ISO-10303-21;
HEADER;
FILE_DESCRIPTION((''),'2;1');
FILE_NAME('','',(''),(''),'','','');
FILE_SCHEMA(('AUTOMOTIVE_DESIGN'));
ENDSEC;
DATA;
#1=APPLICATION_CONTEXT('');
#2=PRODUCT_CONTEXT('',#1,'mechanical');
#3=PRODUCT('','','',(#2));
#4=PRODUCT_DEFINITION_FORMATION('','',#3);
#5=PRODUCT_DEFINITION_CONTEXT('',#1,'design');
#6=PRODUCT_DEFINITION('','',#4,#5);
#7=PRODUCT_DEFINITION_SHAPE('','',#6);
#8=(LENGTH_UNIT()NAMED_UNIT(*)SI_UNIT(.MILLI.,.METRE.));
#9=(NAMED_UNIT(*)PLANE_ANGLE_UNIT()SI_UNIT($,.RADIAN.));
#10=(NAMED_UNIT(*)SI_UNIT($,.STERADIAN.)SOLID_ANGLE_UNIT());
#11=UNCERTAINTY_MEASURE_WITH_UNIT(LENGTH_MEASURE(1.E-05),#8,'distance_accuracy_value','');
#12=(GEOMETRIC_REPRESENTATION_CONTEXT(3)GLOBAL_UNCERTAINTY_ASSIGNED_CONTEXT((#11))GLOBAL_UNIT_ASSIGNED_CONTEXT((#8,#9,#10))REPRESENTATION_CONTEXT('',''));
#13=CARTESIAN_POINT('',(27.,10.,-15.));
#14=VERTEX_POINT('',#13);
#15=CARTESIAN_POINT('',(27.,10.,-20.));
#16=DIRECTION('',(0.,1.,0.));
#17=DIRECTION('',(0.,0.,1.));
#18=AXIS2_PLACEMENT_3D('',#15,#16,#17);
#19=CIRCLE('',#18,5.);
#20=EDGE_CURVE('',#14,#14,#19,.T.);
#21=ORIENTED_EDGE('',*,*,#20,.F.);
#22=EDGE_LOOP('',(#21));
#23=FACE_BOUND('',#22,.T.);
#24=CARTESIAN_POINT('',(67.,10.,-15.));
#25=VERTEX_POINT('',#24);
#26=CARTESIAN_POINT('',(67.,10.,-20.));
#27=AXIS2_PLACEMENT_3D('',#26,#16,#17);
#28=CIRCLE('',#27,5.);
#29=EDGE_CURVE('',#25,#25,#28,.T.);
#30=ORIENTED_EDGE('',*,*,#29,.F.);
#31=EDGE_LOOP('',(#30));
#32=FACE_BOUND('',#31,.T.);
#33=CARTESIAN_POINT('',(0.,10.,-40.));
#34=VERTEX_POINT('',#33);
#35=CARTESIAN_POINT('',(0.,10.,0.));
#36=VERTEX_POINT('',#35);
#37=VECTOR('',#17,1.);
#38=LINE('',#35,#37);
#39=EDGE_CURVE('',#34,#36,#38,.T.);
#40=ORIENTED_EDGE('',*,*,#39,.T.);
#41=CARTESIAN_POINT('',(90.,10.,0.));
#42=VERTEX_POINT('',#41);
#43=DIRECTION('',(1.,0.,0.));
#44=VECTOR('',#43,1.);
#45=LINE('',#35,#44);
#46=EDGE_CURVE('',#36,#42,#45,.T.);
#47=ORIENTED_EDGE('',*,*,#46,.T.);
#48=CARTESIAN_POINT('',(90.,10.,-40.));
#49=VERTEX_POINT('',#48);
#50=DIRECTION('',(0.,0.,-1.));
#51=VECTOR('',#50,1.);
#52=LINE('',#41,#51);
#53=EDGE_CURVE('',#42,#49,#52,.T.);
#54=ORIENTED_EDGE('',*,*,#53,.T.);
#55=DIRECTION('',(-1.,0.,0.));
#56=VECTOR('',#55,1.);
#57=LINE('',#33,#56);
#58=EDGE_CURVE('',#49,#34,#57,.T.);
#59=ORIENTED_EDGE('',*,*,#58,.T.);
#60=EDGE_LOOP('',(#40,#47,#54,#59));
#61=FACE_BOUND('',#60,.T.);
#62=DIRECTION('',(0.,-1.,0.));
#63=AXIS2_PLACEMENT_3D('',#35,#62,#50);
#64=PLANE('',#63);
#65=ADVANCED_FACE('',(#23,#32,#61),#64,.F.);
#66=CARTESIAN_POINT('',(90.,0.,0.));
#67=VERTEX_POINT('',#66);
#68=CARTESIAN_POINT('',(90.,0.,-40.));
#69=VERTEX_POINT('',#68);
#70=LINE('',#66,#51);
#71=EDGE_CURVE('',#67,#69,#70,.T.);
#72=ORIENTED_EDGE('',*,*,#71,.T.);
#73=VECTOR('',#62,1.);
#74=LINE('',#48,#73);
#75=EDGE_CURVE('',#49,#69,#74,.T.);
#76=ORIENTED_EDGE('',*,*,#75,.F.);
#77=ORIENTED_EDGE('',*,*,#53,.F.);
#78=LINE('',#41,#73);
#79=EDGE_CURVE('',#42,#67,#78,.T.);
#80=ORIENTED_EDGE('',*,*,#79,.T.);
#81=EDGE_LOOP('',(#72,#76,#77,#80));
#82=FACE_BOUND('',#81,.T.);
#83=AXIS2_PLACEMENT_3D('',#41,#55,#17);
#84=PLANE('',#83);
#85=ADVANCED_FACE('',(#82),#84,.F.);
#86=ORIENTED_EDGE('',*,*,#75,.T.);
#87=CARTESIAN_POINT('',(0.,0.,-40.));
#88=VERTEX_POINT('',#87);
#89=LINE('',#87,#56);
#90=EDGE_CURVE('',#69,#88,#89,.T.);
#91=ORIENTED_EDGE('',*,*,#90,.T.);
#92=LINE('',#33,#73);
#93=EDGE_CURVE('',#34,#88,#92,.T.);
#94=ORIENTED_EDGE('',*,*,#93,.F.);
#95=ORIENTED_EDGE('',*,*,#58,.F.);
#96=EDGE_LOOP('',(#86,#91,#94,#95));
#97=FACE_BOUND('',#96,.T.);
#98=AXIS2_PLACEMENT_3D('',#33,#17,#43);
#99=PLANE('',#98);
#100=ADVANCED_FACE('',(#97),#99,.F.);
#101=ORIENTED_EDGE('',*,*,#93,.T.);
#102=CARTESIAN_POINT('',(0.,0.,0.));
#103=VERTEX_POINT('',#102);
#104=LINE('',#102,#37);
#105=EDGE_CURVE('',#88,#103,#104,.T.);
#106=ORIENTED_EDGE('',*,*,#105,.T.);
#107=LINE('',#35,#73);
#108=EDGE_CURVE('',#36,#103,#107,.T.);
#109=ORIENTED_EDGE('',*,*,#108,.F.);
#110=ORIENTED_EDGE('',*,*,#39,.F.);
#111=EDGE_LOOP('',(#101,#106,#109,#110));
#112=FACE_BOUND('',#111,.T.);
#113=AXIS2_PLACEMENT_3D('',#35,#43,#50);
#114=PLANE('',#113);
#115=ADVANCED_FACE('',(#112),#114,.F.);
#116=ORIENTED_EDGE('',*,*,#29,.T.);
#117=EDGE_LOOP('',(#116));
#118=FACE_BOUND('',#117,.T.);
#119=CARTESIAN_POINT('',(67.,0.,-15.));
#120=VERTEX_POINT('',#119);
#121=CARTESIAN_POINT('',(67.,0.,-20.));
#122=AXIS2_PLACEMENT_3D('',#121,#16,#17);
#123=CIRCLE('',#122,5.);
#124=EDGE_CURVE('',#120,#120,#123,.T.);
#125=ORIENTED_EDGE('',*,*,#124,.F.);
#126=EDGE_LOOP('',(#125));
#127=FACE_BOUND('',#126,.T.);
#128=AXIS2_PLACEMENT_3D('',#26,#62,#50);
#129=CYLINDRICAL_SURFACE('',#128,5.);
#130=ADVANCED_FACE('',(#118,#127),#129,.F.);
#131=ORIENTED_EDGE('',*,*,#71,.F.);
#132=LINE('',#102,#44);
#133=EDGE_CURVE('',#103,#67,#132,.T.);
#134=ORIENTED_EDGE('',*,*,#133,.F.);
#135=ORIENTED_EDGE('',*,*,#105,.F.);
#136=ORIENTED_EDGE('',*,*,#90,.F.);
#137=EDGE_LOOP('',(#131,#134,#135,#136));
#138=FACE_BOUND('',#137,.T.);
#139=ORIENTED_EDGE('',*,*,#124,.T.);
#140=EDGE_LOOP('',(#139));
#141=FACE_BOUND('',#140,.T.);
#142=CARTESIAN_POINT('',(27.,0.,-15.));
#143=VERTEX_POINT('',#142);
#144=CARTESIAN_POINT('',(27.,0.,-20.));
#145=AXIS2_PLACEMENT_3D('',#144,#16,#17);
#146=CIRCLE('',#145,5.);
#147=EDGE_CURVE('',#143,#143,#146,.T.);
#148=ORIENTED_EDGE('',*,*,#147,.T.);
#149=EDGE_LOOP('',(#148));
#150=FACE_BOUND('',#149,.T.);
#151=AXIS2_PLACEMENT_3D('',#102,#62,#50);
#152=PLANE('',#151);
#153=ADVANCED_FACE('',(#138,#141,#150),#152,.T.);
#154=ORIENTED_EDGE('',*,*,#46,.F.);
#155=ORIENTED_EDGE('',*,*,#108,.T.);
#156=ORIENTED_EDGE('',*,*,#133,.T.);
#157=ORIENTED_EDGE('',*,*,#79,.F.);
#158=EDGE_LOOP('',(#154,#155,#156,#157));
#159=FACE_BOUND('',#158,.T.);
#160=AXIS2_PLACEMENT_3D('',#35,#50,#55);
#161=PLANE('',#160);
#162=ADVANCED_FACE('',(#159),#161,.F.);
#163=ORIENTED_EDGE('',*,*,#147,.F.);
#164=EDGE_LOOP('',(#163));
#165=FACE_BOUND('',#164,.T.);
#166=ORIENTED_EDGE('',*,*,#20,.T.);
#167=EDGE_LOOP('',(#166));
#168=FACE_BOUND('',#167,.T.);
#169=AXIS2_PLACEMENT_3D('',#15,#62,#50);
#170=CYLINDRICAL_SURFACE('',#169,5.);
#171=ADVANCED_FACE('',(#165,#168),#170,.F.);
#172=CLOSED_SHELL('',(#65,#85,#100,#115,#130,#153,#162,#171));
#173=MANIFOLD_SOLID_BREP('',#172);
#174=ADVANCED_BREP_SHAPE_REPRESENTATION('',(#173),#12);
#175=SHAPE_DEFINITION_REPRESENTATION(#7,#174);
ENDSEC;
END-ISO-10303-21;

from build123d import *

# Parameters (mm, degrees)
SZKIC1_W                    = 90
SZKIC1_H                    = 40
SZKIC1_R                    = 5
DODANIE_WYCI_GNI_CIE1_DEPTH = 10


with BuildPart() as part:
    # Szkic1 → Dodanie-wyciągnięcie1 (new body)
    with BuildSketch(Plane(origin=(0, 0, 0), x_dir=(1, 0, 0), z_dir=(0, 1, 0))):
        with Locations((45, 20)):
            Rectangle(SZKIC1_W, SZKIC1_H)
        with Locations(Location((27, 20, 0), (0, 0, 270))):
            Circle(SZKIC1_R, mode=Mode.SUBTRACT)
        with Locations(Location((67, 20, 0), (0, 0, 270))):
            Circle(SZKIC1_R, mode=Mode.SUBTRACT)
    extrude(amount=DODANIE_WYCI_GNI_CIE1_DEPTH)


solid = part.part
